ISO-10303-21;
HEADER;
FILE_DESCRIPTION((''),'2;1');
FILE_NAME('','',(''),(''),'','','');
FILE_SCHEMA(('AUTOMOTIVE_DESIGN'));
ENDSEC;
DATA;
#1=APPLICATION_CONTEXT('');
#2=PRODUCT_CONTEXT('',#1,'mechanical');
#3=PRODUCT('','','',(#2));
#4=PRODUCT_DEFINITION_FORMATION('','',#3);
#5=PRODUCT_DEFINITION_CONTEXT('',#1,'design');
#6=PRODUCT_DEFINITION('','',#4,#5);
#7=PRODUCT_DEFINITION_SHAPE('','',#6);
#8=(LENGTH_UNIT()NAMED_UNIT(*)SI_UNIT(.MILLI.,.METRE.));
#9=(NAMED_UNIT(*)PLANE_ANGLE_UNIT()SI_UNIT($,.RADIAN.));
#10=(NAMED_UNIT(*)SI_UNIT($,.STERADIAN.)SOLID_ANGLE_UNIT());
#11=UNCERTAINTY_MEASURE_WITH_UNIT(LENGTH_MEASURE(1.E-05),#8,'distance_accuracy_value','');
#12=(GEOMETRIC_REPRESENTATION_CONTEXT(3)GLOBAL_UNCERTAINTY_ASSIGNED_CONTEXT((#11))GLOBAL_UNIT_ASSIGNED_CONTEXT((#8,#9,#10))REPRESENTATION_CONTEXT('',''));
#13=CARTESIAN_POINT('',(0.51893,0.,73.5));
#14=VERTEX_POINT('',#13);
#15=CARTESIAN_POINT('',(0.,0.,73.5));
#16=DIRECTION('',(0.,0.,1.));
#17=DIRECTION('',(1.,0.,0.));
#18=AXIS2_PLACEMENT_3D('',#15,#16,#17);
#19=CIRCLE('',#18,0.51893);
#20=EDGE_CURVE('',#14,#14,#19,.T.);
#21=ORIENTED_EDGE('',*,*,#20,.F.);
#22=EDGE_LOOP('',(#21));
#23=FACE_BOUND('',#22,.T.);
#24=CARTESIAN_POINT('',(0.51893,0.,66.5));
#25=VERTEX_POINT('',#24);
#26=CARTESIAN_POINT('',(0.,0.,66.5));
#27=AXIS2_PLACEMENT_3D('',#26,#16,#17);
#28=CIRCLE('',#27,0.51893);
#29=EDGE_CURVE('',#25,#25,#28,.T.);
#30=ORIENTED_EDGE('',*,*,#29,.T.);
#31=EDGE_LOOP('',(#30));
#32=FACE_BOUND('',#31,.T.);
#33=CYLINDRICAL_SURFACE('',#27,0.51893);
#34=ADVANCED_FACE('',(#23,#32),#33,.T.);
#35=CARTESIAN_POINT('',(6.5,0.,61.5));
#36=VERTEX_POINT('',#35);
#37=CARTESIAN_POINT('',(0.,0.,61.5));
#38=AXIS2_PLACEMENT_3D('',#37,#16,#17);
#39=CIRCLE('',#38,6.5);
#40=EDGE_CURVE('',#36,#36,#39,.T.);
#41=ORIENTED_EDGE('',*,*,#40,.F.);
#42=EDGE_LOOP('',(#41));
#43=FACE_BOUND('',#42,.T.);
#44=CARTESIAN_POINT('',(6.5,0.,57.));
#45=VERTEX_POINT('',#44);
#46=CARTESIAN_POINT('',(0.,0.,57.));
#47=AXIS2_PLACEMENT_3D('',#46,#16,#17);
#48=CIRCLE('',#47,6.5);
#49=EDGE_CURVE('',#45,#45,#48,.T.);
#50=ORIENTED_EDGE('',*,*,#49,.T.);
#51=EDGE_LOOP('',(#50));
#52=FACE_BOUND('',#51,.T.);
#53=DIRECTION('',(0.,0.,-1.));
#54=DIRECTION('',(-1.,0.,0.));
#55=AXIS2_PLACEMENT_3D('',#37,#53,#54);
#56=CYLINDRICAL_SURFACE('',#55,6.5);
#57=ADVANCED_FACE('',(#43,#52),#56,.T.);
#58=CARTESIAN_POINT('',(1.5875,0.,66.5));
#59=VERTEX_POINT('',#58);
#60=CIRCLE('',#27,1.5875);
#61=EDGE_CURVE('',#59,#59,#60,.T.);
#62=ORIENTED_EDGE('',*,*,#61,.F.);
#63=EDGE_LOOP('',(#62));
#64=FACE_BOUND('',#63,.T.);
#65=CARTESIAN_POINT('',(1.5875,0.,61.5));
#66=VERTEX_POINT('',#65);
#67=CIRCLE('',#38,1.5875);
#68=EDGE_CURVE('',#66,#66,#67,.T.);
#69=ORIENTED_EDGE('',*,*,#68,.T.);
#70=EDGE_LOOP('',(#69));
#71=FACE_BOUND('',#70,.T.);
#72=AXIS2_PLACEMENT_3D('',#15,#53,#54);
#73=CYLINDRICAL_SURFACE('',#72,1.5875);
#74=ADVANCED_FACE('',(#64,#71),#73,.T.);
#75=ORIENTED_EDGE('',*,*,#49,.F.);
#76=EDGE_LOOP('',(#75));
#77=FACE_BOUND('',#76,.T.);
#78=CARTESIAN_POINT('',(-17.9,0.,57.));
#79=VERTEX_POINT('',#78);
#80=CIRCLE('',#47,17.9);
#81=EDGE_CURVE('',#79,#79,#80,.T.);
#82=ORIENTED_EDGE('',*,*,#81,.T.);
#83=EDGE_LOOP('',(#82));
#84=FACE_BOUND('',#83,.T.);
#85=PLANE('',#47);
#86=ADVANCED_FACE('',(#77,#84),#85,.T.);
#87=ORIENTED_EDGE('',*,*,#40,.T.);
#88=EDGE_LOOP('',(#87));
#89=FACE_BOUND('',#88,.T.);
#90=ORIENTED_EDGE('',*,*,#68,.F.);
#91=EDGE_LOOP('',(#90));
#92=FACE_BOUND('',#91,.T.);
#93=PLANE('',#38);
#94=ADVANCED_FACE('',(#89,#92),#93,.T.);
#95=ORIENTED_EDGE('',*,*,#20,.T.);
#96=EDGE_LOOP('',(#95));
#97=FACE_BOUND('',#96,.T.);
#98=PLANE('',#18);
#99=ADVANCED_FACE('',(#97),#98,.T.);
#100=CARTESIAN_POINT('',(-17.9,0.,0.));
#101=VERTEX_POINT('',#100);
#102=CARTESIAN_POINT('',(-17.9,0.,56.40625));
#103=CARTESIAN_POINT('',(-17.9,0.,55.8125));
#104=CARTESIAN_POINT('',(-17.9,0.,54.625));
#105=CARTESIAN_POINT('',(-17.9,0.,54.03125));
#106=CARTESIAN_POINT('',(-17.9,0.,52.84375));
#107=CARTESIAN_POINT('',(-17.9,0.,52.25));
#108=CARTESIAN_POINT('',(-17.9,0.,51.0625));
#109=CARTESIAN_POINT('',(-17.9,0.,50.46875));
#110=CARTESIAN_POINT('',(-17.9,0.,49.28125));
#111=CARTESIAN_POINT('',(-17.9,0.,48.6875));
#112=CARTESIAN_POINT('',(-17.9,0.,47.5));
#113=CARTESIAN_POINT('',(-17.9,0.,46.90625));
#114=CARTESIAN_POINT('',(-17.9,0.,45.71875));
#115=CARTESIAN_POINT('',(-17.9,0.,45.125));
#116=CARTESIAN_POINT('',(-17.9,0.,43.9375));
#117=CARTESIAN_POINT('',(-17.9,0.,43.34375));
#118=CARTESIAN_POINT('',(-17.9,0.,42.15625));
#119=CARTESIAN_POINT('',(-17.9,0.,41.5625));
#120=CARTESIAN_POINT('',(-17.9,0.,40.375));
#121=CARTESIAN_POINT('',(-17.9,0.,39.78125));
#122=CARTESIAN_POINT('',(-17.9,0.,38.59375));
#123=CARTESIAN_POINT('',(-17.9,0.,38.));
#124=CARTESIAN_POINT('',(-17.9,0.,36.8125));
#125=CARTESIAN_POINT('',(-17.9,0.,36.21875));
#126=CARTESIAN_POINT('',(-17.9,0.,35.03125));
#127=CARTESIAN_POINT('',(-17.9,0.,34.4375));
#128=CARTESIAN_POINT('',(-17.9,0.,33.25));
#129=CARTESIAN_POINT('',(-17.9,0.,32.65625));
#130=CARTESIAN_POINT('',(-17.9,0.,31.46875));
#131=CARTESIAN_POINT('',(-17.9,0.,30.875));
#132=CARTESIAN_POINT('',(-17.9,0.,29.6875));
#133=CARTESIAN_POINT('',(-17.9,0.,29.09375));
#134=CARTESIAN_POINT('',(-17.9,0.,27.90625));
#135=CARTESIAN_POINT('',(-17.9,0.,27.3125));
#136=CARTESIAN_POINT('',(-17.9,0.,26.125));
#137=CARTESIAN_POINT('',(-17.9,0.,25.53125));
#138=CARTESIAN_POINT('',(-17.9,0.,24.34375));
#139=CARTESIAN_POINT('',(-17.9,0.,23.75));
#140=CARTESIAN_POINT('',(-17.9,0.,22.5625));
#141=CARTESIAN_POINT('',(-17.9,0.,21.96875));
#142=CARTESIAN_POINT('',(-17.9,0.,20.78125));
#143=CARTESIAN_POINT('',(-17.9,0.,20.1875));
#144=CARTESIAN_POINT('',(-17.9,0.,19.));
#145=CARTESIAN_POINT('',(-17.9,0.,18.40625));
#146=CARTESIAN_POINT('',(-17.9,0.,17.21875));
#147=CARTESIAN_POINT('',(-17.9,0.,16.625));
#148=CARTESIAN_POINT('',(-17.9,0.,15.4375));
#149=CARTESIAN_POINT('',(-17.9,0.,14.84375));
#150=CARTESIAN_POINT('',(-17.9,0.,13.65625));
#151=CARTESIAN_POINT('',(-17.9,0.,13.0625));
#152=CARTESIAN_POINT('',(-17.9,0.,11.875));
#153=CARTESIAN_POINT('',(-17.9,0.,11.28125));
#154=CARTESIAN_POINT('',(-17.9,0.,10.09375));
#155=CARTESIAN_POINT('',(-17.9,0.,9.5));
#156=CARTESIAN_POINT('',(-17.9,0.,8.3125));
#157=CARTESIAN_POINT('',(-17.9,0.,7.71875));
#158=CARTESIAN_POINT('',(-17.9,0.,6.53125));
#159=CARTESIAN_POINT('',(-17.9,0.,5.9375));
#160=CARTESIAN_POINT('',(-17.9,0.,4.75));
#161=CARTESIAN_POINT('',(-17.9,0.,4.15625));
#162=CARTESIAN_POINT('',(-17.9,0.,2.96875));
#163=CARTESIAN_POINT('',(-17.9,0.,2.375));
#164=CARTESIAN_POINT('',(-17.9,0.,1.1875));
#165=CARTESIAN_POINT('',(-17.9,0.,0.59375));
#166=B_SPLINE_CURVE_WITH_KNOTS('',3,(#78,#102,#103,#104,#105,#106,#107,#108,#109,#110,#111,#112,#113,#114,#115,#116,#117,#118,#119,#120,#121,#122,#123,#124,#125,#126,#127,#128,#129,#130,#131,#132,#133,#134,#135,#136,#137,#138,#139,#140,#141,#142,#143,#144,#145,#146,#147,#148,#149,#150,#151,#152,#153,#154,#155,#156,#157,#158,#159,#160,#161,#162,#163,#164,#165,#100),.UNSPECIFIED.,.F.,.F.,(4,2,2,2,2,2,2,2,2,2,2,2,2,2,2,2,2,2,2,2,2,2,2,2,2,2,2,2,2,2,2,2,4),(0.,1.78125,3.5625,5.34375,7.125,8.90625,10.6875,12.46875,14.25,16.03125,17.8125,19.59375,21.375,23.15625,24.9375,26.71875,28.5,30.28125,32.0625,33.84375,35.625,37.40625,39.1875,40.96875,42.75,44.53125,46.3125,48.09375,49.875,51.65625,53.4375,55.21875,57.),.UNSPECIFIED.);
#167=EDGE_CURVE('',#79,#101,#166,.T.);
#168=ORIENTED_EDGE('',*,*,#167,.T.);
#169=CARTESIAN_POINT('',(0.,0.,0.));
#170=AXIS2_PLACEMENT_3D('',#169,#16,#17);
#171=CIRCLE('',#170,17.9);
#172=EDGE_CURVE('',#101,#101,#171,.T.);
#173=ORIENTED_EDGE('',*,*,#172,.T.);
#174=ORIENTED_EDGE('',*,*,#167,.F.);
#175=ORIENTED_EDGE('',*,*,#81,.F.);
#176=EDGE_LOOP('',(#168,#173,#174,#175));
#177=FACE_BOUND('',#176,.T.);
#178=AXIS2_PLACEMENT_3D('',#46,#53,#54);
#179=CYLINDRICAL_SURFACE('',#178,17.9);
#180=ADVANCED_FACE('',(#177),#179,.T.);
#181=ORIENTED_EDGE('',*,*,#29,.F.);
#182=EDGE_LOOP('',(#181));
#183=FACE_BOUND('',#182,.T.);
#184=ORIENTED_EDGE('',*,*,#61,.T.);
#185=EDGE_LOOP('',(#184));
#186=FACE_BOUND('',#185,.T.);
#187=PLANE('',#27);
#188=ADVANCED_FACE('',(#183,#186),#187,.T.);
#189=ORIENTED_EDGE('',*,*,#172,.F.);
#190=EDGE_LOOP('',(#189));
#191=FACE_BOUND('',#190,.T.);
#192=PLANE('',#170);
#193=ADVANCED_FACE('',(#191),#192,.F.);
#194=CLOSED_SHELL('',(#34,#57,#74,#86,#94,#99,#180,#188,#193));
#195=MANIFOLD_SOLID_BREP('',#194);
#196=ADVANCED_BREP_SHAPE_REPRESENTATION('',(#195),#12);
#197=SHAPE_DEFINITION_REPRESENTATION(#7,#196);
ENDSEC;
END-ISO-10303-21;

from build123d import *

# Parameters (mm, degrees)
SKETCH1_R           = 17.9
BOSS_EXTRUDE1_DEPTH = 57
SKETCH2_R           = 6.5
BOSS_EXTRUDE2_DEPTH = 4.5
SKETCH3_R           = 1.5875
BOSS_EXTRUDE3_DEPTH = 12
CUT_EXTRUDE1_START  = -7
SKETCH4_R           = 1.5875
SKETCH4_R_2         = 0.518930275
CUT_EXTRUDE1_DEPTH  = 7


with BuildPart() as part:
    # Sketch1 → Boss-Extrude1 (new body)
    with BuildSketch(Plane.XY):
        with Locations(Location((0, 0, 0), (0, 0, 180))):
            Circle(SKETCH1_R)
    extrude(amount=BOSS_EXTRUDE1_DEPTH)

    # Sketch2 → Boss-Extrude2 (add)
    with BuildSketch(Plane.XY.offset(57)):
        Circle(SKETCH2_R)
    extrude(amount=BOSS_EXTRUDE2_DEPTH)

    # Sketch3 → Boss-Extrude3 (add)
    with BuildSketch(Plane.XY.offset(61.5)):
        Circle(SKETCH3_R)
    extrude(amount=BOSS_EXTRUDE3_DEPTH)

    # Sketch4 → Cut-Extrude1 (cut)
    with BuildSketch(Plane.XY.offset(73.5).offset(CUT_EXTRUDE1_START)):
        Circle(SKETCH4_R)
        Circle(SKETCH4_R_2, mode=Mode.SUBTRACT)
    extrude(amount=CUT_EXTRUDE1_DEPTH, mode=Mode.SUBTRACT)


solid = part.part
